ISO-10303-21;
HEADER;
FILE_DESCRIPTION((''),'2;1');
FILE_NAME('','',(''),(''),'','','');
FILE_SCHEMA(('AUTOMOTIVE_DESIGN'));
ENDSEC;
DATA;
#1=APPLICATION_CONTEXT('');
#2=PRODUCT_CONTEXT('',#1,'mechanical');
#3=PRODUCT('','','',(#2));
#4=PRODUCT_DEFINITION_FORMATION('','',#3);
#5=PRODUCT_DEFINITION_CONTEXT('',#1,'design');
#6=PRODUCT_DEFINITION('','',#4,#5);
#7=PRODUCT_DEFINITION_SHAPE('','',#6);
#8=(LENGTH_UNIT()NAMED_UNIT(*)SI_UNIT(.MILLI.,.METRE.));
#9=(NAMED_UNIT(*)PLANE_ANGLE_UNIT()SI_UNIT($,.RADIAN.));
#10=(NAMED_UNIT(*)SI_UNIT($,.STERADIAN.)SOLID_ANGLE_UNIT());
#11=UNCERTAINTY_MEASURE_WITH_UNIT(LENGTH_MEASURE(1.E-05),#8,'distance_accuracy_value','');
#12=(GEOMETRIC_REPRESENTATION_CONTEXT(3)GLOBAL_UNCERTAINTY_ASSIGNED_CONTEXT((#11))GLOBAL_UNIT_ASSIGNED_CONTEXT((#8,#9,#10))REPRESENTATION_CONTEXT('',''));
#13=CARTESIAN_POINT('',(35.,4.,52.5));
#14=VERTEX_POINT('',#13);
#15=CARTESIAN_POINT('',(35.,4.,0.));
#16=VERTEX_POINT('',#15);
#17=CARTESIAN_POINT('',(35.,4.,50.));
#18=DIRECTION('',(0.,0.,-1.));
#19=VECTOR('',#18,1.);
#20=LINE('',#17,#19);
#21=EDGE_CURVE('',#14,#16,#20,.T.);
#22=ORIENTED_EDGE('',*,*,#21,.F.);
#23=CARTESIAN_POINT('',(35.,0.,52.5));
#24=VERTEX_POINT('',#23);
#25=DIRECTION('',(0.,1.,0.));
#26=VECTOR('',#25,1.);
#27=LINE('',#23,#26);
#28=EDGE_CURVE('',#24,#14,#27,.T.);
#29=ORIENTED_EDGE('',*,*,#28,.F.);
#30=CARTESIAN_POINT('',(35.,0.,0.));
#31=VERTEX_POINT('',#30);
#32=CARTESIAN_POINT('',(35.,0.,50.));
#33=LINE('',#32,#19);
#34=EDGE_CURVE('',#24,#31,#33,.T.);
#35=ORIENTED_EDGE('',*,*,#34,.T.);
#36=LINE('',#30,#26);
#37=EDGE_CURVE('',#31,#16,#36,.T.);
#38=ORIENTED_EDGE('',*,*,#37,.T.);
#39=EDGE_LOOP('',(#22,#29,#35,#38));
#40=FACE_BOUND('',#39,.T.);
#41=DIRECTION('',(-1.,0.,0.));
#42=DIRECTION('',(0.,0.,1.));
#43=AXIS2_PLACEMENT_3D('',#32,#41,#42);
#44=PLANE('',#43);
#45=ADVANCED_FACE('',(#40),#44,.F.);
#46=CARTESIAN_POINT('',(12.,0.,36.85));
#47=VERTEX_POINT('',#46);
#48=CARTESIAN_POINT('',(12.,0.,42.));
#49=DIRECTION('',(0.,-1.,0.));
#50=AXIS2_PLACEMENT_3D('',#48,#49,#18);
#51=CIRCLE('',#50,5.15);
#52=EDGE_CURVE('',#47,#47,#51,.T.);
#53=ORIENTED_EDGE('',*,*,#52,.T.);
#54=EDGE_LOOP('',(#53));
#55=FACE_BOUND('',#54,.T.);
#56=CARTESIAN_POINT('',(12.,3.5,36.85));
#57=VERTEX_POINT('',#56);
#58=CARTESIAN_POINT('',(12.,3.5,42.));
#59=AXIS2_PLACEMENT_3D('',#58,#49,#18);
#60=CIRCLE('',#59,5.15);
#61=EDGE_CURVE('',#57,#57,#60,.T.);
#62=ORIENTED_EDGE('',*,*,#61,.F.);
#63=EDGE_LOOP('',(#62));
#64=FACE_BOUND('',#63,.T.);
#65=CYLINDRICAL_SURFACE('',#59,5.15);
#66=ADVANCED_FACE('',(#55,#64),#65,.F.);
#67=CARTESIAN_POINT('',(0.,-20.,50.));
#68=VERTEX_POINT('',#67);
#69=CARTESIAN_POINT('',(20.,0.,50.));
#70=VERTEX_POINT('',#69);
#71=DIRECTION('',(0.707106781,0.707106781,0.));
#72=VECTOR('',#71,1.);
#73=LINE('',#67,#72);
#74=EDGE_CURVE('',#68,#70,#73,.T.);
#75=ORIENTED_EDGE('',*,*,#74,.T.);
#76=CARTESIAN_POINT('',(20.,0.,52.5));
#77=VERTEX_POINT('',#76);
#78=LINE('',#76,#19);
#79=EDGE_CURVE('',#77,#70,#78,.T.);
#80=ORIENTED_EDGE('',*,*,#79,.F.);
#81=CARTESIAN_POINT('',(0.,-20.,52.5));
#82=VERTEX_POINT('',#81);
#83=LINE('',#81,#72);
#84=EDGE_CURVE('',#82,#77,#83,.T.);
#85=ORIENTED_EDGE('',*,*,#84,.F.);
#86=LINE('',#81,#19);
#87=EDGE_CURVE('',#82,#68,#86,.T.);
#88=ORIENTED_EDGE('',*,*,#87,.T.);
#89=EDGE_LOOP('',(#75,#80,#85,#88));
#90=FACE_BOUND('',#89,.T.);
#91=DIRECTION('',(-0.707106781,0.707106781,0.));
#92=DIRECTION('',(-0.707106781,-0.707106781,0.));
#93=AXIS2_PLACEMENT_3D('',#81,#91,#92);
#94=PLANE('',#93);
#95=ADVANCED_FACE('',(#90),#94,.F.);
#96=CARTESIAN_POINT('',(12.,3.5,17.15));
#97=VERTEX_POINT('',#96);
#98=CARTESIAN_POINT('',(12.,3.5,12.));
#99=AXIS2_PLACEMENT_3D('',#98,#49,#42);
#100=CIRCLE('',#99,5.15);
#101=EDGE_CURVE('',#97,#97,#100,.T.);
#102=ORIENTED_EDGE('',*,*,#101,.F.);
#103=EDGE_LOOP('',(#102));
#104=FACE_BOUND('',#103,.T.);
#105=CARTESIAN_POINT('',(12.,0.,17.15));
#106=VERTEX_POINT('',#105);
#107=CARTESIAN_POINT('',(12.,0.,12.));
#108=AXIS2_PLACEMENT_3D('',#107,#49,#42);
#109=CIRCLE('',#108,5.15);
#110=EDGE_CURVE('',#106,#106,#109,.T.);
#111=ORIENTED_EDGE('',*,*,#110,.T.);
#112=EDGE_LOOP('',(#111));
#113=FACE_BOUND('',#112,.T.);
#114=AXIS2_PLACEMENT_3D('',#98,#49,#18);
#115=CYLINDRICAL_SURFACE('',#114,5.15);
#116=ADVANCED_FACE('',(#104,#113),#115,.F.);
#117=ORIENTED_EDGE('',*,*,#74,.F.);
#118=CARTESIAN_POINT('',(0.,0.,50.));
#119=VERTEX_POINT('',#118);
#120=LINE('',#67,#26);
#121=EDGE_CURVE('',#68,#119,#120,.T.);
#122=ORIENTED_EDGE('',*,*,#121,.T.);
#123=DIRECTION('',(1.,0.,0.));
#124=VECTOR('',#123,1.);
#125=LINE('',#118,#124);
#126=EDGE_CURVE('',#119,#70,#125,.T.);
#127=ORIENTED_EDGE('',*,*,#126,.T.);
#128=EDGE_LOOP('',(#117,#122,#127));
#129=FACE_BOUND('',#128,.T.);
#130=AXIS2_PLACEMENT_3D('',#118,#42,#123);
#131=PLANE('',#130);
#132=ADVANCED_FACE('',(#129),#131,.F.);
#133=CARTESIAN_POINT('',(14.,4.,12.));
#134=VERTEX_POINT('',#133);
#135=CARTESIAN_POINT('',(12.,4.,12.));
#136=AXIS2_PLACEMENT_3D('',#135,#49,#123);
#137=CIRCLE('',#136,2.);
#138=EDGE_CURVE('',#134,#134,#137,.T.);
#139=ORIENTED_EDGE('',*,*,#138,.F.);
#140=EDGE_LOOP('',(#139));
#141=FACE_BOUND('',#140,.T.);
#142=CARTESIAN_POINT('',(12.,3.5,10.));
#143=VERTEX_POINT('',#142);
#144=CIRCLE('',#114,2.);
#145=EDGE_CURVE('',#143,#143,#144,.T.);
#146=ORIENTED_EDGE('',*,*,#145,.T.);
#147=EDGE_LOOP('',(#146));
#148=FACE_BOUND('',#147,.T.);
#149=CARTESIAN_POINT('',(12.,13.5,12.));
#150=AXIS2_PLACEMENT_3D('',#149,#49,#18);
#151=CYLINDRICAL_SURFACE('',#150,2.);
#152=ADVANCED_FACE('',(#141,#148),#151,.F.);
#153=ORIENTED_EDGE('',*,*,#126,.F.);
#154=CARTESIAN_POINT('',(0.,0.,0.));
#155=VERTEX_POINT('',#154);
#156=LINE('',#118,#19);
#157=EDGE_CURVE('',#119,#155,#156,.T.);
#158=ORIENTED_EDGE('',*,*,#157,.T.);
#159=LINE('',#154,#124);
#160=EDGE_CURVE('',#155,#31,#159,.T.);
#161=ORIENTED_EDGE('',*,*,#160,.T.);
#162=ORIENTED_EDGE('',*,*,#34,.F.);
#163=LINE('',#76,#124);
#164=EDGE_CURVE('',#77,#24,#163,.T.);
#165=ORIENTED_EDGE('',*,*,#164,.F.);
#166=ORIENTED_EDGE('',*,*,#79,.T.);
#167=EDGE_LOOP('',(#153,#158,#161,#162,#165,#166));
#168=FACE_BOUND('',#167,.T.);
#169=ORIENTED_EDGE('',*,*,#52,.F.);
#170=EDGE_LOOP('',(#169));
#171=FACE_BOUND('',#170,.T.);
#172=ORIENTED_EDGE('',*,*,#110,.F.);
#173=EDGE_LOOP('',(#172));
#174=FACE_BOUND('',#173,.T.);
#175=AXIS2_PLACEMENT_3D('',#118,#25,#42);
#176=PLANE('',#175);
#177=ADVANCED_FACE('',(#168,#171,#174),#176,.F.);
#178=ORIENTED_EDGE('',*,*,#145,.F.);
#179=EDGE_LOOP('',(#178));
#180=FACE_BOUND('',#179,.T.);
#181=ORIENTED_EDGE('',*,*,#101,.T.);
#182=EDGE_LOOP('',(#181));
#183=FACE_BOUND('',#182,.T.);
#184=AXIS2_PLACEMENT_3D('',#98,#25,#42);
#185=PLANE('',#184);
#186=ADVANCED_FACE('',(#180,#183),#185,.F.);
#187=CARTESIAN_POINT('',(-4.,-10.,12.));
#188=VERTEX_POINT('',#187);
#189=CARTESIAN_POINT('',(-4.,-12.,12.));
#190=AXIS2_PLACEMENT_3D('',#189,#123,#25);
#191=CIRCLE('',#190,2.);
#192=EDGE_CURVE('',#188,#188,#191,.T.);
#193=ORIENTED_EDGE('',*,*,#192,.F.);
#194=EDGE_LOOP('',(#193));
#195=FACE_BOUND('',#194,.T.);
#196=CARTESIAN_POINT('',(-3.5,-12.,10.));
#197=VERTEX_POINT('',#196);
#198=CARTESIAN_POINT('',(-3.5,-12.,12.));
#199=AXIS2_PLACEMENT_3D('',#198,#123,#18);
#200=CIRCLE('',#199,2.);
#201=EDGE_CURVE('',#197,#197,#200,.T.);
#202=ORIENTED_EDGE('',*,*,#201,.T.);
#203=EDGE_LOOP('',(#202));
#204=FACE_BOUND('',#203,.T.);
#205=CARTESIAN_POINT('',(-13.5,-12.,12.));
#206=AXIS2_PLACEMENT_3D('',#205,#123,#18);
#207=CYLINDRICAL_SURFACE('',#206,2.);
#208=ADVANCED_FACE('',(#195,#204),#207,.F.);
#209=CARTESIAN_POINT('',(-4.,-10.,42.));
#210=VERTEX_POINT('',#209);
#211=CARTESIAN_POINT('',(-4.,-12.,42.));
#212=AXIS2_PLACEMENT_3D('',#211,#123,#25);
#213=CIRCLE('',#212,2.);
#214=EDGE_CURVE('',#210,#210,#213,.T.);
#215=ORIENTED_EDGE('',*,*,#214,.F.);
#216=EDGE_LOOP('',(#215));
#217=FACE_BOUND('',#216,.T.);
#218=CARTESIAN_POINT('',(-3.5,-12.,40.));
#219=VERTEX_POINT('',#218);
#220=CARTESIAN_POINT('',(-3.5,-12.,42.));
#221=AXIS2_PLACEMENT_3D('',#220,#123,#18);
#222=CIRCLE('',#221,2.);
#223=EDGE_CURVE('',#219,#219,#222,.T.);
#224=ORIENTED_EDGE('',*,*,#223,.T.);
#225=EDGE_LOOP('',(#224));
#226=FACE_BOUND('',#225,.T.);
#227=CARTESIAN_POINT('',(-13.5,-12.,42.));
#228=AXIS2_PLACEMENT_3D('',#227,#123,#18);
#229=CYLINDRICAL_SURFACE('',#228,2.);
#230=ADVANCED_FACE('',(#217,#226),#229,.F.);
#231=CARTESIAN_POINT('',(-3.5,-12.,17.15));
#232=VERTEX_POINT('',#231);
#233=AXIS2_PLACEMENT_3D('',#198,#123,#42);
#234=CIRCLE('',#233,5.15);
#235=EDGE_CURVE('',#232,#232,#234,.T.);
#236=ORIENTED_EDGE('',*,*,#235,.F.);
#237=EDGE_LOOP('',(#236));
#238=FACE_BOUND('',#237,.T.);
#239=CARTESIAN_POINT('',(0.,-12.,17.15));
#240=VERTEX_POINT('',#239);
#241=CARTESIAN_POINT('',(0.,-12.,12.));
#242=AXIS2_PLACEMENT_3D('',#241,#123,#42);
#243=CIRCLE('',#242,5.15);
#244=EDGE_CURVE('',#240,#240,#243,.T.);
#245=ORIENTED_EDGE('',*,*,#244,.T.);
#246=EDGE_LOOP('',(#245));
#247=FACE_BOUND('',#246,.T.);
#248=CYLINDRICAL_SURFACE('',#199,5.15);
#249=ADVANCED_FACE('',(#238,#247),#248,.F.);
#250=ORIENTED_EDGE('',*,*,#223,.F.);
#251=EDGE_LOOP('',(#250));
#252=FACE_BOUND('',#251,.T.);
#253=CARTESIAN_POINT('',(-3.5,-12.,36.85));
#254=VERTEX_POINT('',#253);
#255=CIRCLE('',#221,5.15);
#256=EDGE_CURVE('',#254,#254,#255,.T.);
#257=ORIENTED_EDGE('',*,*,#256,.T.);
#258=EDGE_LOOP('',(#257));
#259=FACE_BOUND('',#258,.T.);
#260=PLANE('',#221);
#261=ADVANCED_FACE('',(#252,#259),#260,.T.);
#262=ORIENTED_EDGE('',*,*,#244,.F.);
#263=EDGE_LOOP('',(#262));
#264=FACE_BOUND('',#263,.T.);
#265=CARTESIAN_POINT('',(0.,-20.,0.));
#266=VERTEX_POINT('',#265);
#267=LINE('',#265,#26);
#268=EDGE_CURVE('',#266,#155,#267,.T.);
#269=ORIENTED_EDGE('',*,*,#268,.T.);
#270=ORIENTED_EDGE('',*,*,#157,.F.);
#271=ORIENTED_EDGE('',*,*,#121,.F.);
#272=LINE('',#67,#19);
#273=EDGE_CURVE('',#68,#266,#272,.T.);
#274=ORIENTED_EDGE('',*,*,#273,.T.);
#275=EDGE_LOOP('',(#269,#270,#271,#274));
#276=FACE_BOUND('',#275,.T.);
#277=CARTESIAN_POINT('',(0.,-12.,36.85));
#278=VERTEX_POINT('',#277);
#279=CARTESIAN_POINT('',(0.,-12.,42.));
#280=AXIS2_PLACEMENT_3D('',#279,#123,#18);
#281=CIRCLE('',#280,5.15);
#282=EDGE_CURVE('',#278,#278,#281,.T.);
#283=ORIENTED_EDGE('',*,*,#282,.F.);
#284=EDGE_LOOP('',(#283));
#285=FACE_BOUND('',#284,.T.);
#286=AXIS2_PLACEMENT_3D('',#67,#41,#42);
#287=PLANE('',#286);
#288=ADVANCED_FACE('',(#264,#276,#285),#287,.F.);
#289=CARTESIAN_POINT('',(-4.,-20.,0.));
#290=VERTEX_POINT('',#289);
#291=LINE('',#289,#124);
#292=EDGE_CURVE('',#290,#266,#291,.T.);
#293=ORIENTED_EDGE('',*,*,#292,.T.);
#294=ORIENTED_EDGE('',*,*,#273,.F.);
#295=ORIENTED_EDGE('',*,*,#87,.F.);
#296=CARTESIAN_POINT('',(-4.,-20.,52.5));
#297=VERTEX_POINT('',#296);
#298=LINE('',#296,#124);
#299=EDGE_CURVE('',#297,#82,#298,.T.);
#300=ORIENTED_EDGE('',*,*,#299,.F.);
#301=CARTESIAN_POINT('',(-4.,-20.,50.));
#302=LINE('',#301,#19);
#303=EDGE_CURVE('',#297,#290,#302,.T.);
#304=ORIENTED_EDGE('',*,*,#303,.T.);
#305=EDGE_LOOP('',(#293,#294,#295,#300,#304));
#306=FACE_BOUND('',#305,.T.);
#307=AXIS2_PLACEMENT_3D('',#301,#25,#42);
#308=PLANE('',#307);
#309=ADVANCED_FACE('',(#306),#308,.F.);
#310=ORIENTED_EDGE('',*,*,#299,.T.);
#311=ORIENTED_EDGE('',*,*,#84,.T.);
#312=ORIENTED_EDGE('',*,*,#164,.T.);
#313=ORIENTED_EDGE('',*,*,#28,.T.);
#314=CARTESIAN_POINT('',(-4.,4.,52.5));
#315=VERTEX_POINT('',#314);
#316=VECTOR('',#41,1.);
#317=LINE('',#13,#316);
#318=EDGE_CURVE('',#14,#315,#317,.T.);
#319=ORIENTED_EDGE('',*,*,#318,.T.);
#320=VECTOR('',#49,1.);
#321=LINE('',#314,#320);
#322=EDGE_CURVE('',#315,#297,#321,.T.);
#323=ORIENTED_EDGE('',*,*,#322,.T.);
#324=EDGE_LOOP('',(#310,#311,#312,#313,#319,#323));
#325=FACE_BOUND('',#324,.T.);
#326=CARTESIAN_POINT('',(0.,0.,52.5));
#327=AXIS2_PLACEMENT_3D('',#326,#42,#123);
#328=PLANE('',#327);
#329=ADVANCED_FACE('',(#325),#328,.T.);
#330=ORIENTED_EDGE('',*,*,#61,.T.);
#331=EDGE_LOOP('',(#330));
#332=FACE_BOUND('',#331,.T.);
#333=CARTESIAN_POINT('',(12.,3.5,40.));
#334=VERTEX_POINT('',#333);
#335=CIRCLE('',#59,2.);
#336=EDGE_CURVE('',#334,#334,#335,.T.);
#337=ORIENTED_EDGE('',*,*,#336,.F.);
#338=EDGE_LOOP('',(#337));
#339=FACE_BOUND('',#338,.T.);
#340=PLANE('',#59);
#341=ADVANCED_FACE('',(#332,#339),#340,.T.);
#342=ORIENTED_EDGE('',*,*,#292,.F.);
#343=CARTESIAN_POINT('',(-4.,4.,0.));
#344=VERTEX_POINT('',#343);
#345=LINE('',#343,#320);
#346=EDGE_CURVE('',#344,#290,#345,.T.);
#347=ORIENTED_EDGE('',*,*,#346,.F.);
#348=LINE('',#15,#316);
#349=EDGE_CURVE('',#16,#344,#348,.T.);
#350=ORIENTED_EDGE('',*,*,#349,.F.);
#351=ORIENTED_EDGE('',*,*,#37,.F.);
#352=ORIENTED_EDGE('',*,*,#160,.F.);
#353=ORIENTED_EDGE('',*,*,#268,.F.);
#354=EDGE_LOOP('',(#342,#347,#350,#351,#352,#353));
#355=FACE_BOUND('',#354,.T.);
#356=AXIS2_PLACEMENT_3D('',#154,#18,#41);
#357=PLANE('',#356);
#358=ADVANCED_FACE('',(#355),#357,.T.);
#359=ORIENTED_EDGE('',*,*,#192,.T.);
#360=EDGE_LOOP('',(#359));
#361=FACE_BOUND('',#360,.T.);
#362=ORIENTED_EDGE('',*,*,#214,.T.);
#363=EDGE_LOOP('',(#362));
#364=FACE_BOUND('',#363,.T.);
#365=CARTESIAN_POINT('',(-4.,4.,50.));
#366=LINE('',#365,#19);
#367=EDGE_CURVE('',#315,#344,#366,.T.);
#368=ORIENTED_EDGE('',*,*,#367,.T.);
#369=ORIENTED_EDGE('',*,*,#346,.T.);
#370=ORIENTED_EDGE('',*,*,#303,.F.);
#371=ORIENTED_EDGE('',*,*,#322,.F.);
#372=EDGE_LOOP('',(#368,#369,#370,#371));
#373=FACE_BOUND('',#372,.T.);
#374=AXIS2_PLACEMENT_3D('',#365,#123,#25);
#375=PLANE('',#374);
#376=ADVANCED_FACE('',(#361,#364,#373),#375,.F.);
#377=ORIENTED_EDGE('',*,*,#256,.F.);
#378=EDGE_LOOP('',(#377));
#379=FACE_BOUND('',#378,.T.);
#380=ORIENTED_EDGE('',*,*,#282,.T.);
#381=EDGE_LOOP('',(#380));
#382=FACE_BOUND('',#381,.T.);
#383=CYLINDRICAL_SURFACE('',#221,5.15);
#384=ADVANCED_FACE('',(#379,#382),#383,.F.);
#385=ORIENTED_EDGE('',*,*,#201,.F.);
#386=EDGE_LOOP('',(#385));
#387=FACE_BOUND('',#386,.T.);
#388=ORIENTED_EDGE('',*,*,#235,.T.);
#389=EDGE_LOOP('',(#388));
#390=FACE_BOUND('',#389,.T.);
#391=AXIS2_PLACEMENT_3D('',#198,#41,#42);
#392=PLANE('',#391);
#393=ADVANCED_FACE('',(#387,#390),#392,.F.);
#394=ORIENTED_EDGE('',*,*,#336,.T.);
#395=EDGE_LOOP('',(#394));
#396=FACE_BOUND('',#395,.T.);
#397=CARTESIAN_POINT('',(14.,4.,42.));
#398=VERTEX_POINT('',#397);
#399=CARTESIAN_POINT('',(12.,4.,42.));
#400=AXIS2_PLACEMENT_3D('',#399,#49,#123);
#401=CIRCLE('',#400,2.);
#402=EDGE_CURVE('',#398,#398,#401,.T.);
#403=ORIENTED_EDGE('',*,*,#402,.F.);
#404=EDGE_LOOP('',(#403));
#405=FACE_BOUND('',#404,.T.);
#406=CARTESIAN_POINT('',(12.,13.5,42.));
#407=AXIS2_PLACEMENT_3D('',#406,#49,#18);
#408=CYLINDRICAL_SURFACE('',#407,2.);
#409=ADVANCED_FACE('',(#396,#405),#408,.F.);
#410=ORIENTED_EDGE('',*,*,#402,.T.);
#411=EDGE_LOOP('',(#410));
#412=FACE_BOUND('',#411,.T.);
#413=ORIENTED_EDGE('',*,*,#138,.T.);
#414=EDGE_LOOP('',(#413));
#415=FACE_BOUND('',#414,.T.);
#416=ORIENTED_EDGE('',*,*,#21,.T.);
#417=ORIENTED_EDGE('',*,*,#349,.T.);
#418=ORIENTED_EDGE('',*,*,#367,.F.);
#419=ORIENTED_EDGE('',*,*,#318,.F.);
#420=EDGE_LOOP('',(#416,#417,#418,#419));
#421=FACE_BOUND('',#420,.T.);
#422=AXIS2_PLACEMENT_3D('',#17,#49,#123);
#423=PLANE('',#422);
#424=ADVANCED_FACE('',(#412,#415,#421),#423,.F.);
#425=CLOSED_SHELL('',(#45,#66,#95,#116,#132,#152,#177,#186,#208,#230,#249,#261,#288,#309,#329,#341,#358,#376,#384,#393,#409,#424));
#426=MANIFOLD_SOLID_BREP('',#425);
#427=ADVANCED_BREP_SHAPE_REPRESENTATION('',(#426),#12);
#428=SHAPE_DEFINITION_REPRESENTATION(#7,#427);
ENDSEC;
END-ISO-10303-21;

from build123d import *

# Parameters (mm, degrees)
RESSALTO_EXTRUS_O1_DEPTH = 50
ESBO_O2_R                = 5.15
CORTE_EXTRUS_O1_DEPTH    = 3.5
ESBO_O3_R                = 5.15
CORTE_EXTRUS_O2_DEPTH    = 3.5
RESSALTO_EXTRUS_O2_DEPTH = 2.5
ESBO_O5_R                = 2
CORTE_EXTRUS_O3_DEPTH    = 10
ESBO_O6_R                = 2
CORTE_EXTRUS_O4_DEPTH    = 10


with BuildPart() as part:
    # Esboço1 → Ressalto-extrusão1 (new body)
    with BuildSketch(Plane.XY):
        Polygon((0, 0), (35, 0), (35, 4), (-4, 4), (-4, -20), (0, -20), align=None)
    extrude(amount=RESSALTO_EXTRUS_O1_DEPTH)

    # Esboço2 → Corte-extrusão1 (cut)
    with BuildSketch(Plane(origin=(0, 0, 0), x_dir=(0, 0, -1), z_dir=(1, 0, 0))):
        with Locations((-42, -12)):
            Circle(ESBO_O2_R)
        with Locations((-12, -12)):
            Circle(ESBO_O2_R)
    extrude(amount=-CORTE_EXTRUS_O1_DEPTH, mode=Mode.SUBTRACT)

    # Esboço3 → Corte-extrusão2 (cut)
    with BuildSketch(Plane.XZ):
        with Locations((12, 42)):
            Circle(ESBO_O3_R)
        with Locations((12, 12)):
            Circle(ESBO_O3_R)
    extrude(amount=-CORTE_EXTRUS_O2_DEPTH, mode=Mode.SUBTRACT)

    # Esboço4 → Ressalto-extrusão2 (add)
    with BuildSketch(Plane.XY.offset(50)):
        Polygon((0, -20), (20, 0), (35, 0), (35, 4), (-4, 4), (-4, -20), align=None)
    extrude(amount=RESSALTO_EXTRUS_O2_DEPTH)

    # Esboço5 → Corte-extrusão3 (cut)
    with BuildSketch(Plane.XZ.offset(-3.5)):
        with Locations((12, 42)):
            Circle(ESBO_O5_R)
        with Locations((12, 12)):
            Circle(ESBO_O5_R)
    extrude(amount=-CORTE_EXTRUS_O3_DEPTH, mode=Mode.SUBTRACT)

    # Esboço6 → Corte-extrusão4 (cut)
    with BuildSketch(Plane(origin=(-3.5, 0, 0), x_dir=(0, 0, -1), z_dir=(1, 0, 0))):
        with Locations((-42, -12)):
            Circle(ESBO_O6_R)
        with Locations((-12, -12)):
            Circle(ESBO_O6_R)
    extrude(amount=-CORTE_EXTRUS_O4_DEPTH, mode=Mode.SUBTRACT)


solid = part.part
